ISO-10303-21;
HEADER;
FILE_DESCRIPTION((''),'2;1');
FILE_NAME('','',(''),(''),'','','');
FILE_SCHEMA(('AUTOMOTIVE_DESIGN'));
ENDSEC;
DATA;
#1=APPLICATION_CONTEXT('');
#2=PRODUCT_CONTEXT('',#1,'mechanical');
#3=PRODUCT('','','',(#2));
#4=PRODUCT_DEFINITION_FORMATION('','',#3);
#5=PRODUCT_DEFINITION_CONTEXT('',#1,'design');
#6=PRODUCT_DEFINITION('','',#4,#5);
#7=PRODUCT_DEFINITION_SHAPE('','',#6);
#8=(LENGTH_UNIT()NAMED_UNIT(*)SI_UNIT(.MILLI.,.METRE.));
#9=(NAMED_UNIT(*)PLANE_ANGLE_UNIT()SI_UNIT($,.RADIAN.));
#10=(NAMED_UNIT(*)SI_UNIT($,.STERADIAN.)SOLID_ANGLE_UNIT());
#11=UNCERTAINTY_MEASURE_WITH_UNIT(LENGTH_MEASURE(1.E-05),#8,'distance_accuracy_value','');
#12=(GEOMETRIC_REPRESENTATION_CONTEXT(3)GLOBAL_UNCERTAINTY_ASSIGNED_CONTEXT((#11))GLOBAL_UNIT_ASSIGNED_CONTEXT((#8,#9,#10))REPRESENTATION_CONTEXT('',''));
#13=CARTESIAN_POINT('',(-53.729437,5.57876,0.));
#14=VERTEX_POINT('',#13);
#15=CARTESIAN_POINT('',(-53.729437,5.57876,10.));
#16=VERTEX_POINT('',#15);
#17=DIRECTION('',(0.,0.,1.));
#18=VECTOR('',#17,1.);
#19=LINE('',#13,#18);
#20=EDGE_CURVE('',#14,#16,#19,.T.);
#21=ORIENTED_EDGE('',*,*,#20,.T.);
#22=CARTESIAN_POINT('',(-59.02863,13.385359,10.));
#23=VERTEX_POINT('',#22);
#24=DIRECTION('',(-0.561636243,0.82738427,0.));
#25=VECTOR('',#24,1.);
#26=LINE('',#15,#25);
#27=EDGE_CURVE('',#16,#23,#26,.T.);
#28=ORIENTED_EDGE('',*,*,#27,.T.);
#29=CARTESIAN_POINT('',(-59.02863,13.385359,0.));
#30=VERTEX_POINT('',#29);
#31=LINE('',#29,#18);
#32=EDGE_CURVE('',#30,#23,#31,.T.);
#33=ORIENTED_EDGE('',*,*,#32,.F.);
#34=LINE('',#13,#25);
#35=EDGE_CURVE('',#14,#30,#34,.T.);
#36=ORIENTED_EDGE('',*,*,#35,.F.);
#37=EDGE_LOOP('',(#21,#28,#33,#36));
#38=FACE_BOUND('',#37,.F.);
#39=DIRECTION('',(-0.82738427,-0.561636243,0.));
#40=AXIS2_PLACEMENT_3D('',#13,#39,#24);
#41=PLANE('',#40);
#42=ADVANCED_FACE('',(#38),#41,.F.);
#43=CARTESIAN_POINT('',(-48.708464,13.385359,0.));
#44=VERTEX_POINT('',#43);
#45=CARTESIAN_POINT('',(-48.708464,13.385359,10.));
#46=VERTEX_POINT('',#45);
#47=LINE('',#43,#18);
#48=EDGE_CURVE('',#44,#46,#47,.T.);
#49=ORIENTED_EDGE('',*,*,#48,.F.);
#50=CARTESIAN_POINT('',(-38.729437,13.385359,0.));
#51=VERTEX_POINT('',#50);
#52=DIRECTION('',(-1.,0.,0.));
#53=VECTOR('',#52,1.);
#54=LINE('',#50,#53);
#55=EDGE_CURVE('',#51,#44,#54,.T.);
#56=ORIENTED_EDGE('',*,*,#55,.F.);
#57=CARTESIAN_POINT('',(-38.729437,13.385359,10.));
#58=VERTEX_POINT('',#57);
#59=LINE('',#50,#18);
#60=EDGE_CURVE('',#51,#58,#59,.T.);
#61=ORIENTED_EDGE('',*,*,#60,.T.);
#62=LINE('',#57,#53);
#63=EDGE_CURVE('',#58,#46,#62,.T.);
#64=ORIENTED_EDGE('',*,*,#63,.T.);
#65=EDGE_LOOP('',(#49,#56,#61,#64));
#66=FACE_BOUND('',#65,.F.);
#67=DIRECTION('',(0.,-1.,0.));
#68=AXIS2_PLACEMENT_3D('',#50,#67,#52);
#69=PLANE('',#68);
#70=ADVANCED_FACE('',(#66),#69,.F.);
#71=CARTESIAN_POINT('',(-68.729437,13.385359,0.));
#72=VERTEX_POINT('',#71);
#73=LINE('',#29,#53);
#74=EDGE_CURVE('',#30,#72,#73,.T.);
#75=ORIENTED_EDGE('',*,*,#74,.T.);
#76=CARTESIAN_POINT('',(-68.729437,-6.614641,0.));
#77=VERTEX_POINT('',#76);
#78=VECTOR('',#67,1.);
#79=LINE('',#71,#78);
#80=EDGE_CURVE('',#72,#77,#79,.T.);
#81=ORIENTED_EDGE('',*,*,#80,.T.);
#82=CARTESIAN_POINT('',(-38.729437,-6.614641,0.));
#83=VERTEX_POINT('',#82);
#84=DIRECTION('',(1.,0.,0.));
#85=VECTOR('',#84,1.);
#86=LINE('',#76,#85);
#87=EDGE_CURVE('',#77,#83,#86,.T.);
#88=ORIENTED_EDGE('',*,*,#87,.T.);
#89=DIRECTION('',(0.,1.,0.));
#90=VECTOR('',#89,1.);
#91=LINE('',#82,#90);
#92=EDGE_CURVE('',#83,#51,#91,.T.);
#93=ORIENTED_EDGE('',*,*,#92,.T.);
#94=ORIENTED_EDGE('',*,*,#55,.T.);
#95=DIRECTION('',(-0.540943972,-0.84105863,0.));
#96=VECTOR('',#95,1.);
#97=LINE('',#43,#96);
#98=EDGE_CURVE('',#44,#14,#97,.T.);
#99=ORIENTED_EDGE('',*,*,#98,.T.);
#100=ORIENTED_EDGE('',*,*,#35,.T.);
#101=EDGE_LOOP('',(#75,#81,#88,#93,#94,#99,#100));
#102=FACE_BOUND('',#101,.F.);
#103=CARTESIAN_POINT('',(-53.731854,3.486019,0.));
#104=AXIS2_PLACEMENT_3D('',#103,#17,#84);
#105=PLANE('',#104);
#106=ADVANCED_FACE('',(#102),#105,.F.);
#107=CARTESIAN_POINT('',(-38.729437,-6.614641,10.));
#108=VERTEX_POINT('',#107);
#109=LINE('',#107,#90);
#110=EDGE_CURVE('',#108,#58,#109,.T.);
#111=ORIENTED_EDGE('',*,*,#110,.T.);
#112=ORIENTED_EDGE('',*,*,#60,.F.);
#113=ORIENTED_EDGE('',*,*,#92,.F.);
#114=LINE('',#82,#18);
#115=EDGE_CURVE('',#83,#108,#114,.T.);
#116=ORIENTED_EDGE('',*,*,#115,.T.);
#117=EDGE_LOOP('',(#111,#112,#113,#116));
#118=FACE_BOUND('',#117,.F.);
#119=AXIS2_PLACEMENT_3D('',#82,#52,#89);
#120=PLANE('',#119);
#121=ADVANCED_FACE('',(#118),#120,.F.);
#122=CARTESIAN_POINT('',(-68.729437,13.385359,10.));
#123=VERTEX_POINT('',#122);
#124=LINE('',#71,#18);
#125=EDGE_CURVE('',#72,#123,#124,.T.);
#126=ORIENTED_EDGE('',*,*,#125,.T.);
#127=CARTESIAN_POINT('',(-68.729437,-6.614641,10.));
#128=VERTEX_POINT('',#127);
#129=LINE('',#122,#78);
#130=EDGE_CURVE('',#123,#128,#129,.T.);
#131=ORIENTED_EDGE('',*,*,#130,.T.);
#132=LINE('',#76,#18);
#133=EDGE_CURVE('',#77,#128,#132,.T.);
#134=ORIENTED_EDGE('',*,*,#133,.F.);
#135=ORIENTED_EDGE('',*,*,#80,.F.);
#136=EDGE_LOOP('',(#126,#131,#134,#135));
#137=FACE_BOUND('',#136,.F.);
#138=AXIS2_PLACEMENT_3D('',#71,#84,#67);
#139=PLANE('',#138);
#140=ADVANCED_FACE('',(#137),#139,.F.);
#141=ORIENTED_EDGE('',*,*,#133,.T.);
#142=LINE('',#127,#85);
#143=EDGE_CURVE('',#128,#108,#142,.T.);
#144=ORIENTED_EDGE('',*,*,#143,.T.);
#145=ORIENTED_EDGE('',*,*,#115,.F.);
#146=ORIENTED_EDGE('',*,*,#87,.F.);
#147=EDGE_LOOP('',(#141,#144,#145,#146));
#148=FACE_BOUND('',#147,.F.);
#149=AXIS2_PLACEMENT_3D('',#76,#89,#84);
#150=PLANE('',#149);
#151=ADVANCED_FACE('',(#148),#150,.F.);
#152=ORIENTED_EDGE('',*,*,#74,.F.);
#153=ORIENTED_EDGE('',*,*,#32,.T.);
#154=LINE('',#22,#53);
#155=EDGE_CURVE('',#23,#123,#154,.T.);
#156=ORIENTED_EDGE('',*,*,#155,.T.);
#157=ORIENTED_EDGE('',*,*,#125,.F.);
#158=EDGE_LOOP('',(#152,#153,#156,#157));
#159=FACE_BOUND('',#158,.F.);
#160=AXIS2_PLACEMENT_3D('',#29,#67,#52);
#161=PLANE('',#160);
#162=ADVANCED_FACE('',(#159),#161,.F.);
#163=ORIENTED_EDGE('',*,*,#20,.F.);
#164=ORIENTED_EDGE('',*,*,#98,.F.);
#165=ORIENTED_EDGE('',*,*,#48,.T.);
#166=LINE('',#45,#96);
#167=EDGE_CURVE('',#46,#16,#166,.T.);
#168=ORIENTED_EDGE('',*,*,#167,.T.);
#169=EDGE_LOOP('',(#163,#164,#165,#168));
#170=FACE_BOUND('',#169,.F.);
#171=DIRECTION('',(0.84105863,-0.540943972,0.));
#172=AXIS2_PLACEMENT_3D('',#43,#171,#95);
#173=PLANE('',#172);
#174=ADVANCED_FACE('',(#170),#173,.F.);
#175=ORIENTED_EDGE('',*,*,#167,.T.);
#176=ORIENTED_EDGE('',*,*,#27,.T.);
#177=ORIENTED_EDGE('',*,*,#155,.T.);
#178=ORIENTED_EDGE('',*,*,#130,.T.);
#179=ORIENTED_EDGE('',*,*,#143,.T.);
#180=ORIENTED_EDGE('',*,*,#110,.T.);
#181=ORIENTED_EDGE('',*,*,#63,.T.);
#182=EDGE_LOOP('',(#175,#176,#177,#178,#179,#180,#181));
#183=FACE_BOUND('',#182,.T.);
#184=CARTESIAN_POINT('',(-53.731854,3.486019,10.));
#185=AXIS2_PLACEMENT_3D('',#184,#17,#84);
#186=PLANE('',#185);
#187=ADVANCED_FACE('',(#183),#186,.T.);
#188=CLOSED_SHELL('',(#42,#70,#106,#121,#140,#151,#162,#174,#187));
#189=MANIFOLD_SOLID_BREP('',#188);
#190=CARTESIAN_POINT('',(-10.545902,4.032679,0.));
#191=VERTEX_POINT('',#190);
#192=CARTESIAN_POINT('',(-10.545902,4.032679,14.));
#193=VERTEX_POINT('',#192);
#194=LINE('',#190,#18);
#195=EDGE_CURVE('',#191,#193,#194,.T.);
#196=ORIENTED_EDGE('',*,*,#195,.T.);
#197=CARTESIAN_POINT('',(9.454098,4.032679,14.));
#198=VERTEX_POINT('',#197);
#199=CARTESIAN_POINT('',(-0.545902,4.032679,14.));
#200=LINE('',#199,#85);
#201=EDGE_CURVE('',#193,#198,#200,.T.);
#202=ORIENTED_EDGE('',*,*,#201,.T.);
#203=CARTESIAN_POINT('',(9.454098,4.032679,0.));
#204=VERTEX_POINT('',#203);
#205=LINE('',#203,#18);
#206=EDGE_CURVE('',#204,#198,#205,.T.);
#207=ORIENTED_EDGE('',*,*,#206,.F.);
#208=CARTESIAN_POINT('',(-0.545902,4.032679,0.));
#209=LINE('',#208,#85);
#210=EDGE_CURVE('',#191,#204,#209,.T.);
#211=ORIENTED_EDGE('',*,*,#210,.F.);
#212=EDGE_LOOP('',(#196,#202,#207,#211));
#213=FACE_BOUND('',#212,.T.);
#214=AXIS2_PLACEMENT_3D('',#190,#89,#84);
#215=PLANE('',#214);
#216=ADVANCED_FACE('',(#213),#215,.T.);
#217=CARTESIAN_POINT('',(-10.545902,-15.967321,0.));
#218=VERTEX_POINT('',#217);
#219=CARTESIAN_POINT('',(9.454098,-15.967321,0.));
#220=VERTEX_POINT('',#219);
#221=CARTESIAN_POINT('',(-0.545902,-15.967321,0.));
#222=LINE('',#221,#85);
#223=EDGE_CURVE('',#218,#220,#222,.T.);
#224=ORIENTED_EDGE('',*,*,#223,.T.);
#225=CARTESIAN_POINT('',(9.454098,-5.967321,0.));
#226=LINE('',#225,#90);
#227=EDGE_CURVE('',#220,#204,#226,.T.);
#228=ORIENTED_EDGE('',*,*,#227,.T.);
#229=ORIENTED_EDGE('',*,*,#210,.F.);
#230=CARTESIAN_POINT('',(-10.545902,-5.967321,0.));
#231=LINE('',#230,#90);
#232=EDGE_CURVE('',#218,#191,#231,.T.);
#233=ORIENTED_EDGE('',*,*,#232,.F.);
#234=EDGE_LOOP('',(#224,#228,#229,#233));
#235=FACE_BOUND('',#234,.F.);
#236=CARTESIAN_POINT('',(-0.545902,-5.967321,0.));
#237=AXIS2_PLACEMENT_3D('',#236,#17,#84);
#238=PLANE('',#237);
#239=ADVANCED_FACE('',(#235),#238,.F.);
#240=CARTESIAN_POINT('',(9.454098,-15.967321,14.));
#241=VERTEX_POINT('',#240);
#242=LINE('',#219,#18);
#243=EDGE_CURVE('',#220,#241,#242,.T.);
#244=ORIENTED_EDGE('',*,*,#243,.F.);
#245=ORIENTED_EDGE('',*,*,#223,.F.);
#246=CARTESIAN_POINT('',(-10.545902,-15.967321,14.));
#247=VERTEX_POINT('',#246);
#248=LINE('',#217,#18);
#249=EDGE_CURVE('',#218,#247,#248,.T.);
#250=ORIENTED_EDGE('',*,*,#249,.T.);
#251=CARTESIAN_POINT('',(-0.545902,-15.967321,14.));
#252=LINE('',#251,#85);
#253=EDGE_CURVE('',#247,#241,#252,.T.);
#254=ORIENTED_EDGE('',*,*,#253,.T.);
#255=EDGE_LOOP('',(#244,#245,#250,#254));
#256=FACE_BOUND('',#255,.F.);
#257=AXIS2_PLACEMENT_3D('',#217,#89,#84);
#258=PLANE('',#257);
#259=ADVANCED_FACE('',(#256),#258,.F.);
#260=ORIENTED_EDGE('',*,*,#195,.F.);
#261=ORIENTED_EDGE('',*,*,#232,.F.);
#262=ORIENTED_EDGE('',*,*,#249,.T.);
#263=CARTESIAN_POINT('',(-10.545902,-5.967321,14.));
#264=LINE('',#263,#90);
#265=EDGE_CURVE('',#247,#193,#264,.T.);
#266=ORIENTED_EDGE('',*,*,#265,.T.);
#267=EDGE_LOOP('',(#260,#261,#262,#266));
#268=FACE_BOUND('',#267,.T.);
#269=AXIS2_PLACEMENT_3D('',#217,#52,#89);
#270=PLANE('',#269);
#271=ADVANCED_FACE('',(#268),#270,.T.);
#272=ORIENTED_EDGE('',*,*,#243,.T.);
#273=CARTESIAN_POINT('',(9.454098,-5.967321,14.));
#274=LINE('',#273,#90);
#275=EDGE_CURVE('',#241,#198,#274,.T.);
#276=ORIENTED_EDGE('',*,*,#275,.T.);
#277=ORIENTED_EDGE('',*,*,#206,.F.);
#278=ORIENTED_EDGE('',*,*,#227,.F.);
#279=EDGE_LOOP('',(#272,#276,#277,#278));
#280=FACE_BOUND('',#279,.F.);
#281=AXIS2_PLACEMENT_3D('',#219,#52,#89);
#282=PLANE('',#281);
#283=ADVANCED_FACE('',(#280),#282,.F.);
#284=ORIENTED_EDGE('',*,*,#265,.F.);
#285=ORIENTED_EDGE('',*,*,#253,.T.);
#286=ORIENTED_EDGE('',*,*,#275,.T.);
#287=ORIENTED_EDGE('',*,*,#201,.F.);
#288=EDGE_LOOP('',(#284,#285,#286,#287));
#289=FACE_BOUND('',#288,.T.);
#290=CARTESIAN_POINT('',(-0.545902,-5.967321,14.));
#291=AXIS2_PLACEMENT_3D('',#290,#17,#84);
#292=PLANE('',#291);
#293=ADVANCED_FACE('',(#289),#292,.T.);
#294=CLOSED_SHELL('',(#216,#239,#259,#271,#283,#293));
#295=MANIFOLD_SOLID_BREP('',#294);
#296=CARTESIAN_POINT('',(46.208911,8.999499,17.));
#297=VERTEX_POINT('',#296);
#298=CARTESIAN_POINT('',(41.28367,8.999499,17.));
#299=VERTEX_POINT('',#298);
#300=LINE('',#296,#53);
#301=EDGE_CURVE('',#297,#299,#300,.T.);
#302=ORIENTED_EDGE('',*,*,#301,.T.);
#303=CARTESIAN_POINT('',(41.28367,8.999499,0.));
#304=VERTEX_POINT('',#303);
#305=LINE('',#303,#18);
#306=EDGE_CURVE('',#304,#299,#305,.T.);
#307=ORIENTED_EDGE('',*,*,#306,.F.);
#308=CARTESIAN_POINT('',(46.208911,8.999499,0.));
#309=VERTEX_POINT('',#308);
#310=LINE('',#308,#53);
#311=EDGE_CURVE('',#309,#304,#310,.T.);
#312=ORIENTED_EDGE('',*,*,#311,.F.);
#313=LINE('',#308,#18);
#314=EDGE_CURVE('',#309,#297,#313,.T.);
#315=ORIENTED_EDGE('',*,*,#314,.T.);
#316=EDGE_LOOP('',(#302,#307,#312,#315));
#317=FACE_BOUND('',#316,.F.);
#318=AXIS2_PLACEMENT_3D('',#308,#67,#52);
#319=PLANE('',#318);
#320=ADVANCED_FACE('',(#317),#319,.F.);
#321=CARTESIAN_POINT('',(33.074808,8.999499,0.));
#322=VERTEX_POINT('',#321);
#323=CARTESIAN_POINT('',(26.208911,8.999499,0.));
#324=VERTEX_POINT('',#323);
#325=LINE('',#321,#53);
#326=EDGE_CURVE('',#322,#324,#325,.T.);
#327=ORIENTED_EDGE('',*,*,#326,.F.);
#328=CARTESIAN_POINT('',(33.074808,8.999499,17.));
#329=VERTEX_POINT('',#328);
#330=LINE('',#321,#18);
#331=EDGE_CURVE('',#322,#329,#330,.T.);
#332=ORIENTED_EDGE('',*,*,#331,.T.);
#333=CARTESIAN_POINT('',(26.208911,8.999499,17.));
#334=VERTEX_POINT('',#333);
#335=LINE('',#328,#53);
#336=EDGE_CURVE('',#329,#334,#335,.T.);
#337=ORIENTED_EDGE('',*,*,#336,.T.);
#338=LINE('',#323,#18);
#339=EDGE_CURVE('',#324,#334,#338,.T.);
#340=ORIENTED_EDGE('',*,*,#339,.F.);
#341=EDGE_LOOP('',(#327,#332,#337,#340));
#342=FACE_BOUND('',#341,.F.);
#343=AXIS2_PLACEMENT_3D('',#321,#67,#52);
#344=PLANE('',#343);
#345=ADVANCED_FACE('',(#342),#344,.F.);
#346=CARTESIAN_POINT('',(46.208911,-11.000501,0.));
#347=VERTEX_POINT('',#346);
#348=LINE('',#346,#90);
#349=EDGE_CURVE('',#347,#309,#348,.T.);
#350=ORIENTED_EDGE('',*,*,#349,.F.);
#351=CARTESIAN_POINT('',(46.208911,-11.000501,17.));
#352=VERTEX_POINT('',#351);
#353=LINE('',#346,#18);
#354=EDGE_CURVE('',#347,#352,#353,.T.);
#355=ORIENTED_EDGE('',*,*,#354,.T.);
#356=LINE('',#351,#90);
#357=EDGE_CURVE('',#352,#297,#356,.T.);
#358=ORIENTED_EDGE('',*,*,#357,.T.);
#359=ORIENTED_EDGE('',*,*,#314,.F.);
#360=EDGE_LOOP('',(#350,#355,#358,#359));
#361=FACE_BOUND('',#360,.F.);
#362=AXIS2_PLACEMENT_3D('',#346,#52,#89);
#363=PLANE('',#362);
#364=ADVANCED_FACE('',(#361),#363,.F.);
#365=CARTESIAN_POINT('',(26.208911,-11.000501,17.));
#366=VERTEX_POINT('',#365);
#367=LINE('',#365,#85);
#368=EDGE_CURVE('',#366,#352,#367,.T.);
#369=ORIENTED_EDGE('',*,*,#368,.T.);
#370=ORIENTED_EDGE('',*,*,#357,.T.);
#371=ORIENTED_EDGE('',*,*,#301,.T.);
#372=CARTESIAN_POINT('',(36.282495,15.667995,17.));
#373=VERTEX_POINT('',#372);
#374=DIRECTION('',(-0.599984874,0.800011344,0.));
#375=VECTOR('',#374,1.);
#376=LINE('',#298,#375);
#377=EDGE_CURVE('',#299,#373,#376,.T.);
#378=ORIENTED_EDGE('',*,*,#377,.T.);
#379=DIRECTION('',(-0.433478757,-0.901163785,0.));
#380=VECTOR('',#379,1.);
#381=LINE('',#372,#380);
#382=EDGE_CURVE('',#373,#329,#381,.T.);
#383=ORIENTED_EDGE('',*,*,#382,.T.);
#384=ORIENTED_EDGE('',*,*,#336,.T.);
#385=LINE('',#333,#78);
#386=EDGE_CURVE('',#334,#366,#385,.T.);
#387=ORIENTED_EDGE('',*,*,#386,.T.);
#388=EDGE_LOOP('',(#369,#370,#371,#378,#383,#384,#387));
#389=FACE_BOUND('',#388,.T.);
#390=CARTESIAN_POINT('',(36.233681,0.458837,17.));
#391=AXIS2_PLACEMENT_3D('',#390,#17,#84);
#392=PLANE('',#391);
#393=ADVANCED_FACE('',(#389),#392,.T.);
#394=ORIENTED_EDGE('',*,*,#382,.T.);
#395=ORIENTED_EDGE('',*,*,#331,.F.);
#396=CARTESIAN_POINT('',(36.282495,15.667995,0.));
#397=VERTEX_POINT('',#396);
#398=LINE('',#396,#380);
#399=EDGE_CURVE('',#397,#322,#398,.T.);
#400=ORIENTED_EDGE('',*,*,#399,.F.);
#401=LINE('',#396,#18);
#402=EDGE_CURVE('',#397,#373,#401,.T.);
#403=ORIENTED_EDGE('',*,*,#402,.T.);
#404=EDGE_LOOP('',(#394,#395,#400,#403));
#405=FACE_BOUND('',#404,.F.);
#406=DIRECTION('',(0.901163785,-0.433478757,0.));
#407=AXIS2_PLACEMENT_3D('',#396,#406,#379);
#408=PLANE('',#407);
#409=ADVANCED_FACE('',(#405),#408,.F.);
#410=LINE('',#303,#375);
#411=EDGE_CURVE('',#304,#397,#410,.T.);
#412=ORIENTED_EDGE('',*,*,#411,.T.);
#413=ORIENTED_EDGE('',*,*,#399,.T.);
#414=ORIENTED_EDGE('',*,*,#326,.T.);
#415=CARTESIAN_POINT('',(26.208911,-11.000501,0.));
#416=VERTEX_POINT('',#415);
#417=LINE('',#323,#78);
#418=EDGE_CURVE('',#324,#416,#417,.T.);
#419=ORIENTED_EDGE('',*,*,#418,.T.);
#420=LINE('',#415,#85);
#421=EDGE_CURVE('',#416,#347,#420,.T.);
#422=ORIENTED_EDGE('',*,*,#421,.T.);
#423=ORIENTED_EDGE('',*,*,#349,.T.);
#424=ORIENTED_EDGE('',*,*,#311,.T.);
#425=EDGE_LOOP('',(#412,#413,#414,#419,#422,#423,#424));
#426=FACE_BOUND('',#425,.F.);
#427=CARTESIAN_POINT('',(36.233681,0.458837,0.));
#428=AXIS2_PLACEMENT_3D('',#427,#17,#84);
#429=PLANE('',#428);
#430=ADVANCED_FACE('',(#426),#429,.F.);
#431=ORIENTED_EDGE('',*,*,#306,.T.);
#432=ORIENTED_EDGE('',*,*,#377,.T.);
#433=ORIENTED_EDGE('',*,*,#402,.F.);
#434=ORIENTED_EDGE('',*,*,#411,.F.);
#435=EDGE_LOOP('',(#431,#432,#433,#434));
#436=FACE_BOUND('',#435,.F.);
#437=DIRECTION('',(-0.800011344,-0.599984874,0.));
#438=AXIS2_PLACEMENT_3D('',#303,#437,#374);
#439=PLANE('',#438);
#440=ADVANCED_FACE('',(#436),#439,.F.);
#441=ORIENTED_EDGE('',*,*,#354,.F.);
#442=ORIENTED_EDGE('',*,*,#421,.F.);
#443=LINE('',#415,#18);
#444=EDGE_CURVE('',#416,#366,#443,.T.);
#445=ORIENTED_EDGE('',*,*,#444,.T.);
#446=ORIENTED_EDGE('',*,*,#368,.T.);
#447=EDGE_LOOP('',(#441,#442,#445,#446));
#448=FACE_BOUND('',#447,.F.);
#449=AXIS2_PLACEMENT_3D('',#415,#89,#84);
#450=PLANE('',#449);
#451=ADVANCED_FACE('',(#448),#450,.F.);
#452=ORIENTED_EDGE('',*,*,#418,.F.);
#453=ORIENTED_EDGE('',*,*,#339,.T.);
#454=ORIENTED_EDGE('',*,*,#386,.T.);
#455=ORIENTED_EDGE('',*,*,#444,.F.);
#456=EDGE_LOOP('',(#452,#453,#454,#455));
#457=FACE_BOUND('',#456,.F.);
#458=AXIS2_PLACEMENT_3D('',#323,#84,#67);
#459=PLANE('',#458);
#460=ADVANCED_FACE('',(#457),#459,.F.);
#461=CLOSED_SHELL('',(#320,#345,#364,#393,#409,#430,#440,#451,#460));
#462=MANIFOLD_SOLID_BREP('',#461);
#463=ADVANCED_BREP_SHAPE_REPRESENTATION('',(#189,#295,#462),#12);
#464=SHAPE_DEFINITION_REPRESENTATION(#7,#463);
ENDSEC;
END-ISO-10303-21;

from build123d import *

# Parameters (mm, degrees)
F0_W     = 20
F0_H     = 20
F1_DEPTH = 14
F3_DEPTH = 17
F5_DEPTH = 10


with BuildPart() as f1:
    # F0 (on Top) → F1 (new body)
    with BuildSketch(Plane.XY):
        with Locations((-0.545902, -5.967321)):
            Rectangle(F0_W, F0_H)
    extrude(amount=F1_DEPTH)


with BuildPart() as f3:
    # F2 (on Top) → F3 (new body)
    with BuildSketch(Plane.XY):
        Polygon((33.074808, 8.999499), (26.208911, 8.999499), (26.208911, -11.000501), (46.208911, -11.000501), (46.208911, 8.999499), (41.28367, 8.999499), (36.282495, 15.667995), align=None)
    extrude(amount=F3_DEPTH)


with BuildPart() as f5:
    # F4 (on Top) → F5 (new body)
    with BuildSketch(Plane.XY):
        Polygon((-59.02863, 13.385359), (-68.729437, 13.385359), (-68.729437, -6.614641), (-38.729437, -6.614641), (-38.729437, 13.385359), (-48.708464, 13.385359), (-53.729437, 5.57876), align=None)
    extrude(amount=F5_DEPTH)


solid = Compound([f1.part, f3.part, f5.part])
